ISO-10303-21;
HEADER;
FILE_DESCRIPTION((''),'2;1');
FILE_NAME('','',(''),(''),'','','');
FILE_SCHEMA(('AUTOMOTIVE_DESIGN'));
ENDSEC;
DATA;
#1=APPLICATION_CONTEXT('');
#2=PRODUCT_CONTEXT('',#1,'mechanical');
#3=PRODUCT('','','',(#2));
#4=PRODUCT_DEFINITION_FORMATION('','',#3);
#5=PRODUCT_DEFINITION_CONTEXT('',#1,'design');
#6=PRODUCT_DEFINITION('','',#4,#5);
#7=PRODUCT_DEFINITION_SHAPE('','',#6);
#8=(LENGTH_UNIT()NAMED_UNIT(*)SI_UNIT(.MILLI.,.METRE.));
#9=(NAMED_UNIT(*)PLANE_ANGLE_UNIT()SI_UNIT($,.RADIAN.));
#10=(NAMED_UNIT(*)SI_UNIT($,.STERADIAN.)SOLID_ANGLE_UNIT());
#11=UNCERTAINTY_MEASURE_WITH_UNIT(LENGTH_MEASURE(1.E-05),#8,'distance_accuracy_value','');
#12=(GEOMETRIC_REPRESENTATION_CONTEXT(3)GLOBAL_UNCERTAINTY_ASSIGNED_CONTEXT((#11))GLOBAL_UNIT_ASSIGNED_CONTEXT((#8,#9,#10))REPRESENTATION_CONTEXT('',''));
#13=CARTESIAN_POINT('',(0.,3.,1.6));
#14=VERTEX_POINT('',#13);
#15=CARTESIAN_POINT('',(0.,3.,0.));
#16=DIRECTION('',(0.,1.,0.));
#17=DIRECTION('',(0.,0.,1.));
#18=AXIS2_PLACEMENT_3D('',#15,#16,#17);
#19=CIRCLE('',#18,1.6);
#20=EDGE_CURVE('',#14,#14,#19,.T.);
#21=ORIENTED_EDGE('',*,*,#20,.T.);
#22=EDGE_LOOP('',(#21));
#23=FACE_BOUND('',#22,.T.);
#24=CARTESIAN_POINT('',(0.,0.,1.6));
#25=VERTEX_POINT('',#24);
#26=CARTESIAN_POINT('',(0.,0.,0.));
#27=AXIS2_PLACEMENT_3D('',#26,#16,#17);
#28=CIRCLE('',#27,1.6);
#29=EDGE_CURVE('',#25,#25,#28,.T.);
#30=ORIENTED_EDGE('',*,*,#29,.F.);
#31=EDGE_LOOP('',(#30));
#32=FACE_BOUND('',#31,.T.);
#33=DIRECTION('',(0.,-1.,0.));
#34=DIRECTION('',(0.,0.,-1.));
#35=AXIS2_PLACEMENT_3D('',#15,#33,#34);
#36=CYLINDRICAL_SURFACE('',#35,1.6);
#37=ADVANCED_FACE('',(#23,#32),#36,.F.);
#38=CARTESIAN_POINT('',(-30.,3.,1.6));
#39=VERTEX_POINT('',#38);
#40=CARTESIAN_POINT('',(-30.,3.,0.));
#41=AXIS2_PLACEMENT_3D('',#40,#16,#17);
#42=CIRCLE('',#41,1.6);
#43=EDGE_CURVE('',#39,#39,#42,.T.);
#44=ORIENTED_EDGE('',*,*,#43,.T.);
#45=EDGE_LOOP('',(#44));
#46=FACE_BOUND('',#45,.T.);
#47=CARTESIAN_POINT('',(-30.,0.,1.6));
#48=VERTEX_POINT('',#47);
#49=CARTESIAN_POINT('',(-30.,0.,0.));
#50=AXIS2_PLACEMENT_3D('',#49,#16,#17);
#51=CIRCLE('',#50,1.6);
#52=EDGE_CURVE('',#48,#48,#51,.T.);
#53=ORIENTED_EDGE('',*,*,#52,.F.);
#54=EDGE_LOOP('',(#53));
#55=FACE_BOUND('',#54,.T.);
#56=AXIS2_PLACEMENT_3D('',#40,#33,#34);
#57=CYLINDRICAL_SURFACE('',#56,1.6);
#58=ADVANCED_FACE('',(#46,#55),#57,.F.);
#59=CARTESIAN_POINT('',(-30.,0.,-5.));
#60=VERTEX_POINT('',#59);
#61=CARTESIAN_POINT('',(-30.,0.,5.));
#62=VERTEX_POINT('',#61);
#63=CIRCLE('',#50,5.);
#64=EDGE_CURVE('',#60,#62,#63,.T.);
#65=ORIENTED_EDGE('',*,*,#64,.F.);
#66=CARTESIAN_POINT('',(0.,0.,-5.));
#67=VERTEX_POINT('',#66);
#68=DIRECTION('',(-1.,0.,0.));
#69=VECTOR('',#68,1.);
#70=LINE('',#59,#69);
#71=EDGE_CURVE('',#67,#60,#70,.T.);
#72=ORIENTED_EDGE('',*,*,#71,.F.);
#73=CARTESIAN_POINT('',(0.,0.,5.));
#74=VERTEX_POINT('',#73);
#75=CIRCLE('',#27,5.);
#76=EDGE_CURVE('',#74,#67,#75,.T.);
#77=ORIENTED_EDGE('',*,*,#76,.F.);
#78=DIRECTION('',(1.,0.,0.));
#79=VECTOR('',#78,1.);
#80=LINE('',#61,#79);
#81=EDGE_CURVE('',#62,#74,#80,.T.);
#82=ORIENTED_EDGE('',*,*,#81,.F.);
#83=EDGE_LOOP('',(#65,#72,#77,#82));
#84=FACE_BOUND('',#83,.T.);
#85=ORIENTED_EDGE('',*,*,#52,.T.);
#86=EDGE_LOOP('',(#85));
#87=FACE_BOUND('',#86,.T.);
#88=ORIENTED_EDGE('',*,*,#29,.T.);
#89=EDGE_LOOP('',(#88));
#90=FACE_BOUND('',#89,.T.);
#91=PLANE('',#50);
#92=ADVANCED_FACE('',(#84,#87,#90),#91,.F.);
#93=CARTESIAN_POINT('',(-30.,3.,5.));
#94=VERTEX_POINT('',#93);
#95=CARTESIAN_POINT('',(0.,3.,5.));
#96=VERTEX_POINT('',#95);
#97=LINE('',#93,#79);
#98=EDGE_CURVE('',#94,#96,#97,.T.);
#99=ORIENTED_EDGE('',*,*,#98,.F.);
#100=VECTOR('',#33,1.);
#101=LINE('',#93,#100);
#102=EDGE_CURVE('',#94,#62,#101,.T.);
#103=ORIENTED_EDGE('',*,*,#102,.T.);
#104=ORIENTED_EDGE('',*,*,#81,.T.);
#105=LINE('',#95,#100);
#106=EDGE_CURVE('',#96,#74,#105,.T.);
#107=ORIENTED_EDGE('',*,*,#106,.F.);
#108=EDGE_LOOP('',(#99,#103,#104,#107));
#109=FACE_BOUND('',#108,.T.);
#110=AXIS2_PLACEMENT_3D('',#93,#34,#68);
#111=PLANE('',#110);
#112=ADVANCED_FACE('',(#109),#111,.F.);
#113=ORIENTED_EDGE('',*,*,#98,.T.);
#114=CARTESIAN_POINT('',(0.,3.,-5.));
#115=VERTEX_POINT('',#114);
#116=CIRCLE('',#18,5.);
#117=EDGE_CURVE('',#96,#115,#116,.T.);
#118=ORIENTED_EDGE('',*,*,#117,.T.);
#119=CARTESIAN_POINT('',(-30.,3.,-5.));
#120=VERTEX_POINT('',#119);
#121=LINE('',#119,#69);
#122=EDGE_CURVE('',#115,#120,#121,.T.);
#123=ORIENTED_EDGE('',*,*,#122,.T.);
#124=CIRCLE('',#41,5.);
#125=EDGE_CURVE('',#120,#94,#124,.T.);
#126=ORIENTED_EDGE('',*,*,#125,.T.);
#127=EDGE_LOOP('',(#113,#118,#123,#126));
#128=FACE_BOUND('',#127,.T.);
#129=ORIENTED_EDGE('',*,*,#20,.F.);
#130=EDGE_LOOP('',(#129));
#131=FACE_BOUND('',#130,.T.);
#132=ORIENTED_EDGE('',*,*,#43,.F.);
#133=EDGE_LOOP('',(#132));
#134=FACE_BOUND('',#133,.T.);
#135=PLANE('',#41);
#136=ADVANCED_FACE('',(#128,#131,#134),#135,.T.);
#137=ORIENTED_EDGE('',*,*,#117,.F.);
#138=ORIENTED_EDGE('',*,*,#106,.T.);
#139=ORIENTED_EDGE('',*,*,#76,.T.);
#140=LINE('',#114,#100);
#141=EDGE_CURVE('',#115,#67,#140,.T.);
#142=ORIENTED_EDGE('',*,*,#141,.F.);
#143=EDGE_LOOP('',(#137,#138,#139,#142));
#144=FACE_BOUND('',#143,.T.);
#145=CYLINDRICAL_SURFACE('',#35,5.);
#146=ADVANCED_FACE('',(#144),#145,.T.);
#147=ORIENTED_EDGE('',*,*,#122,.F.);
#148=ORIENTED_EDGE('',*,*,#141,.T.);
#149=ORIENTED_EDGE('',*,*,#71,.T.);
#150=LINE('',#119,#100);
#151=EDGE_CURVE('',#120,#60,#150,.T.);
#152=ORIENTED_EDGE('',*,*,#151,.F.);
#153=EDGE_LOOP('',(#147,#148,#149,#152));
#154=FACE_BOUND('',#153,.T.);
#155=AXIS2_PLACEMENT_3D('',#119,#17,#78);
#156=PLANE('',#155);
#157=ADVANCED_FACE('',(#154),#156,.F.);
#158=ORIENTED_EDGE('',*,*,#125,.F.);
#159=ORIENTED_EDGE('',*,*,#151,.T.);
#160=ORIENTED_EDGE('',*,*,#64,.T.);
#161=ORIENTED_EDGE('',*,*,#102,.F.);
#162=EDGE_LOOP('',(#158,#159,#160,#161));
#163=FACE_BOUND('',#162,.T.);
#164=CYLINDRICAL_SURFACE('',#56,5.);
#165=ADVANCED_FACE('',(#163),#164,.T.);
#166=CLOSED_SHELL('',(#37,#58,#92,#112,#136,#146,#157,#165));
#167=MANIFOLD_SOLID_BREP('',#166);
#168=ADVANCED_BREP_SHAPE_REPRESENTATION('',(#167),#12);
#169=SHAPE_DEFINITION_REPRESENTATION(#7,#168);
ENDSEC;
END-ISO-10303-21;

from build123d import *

# Parameters (mm, degrees)
SKETCH_1_R      = 1.6
EXTRUDE_1_DEPTH = 3


with BuildPart() as part:
    # 草图1 → 凸台-拉伸1 (new body)
    with BuildSketch(Plane(origin=(0, 0, 0), x_dir=(1, 0, 0), z_dir=(0, 1, 0))):
        with BuildLine():
            Line((-30, 5), (0, 5))
            ThreePointArc((0, 5), (5, 0), (0, -5))
            Line((0, -5), (-30, -5))
            ThreePointArc((-30, -5), (-35, 0), (-30, 5))
        make_face()
        with Locations((-30, 0)):
            Circle(SKETCH_1_R, mode=Mode.SUBTRACT)
        Circle(SKETCH_1_R, mode=Mode.SUBTRACT)
    extrude(amount=EXTRUDE_1_DEPTH)


solid = part.part
